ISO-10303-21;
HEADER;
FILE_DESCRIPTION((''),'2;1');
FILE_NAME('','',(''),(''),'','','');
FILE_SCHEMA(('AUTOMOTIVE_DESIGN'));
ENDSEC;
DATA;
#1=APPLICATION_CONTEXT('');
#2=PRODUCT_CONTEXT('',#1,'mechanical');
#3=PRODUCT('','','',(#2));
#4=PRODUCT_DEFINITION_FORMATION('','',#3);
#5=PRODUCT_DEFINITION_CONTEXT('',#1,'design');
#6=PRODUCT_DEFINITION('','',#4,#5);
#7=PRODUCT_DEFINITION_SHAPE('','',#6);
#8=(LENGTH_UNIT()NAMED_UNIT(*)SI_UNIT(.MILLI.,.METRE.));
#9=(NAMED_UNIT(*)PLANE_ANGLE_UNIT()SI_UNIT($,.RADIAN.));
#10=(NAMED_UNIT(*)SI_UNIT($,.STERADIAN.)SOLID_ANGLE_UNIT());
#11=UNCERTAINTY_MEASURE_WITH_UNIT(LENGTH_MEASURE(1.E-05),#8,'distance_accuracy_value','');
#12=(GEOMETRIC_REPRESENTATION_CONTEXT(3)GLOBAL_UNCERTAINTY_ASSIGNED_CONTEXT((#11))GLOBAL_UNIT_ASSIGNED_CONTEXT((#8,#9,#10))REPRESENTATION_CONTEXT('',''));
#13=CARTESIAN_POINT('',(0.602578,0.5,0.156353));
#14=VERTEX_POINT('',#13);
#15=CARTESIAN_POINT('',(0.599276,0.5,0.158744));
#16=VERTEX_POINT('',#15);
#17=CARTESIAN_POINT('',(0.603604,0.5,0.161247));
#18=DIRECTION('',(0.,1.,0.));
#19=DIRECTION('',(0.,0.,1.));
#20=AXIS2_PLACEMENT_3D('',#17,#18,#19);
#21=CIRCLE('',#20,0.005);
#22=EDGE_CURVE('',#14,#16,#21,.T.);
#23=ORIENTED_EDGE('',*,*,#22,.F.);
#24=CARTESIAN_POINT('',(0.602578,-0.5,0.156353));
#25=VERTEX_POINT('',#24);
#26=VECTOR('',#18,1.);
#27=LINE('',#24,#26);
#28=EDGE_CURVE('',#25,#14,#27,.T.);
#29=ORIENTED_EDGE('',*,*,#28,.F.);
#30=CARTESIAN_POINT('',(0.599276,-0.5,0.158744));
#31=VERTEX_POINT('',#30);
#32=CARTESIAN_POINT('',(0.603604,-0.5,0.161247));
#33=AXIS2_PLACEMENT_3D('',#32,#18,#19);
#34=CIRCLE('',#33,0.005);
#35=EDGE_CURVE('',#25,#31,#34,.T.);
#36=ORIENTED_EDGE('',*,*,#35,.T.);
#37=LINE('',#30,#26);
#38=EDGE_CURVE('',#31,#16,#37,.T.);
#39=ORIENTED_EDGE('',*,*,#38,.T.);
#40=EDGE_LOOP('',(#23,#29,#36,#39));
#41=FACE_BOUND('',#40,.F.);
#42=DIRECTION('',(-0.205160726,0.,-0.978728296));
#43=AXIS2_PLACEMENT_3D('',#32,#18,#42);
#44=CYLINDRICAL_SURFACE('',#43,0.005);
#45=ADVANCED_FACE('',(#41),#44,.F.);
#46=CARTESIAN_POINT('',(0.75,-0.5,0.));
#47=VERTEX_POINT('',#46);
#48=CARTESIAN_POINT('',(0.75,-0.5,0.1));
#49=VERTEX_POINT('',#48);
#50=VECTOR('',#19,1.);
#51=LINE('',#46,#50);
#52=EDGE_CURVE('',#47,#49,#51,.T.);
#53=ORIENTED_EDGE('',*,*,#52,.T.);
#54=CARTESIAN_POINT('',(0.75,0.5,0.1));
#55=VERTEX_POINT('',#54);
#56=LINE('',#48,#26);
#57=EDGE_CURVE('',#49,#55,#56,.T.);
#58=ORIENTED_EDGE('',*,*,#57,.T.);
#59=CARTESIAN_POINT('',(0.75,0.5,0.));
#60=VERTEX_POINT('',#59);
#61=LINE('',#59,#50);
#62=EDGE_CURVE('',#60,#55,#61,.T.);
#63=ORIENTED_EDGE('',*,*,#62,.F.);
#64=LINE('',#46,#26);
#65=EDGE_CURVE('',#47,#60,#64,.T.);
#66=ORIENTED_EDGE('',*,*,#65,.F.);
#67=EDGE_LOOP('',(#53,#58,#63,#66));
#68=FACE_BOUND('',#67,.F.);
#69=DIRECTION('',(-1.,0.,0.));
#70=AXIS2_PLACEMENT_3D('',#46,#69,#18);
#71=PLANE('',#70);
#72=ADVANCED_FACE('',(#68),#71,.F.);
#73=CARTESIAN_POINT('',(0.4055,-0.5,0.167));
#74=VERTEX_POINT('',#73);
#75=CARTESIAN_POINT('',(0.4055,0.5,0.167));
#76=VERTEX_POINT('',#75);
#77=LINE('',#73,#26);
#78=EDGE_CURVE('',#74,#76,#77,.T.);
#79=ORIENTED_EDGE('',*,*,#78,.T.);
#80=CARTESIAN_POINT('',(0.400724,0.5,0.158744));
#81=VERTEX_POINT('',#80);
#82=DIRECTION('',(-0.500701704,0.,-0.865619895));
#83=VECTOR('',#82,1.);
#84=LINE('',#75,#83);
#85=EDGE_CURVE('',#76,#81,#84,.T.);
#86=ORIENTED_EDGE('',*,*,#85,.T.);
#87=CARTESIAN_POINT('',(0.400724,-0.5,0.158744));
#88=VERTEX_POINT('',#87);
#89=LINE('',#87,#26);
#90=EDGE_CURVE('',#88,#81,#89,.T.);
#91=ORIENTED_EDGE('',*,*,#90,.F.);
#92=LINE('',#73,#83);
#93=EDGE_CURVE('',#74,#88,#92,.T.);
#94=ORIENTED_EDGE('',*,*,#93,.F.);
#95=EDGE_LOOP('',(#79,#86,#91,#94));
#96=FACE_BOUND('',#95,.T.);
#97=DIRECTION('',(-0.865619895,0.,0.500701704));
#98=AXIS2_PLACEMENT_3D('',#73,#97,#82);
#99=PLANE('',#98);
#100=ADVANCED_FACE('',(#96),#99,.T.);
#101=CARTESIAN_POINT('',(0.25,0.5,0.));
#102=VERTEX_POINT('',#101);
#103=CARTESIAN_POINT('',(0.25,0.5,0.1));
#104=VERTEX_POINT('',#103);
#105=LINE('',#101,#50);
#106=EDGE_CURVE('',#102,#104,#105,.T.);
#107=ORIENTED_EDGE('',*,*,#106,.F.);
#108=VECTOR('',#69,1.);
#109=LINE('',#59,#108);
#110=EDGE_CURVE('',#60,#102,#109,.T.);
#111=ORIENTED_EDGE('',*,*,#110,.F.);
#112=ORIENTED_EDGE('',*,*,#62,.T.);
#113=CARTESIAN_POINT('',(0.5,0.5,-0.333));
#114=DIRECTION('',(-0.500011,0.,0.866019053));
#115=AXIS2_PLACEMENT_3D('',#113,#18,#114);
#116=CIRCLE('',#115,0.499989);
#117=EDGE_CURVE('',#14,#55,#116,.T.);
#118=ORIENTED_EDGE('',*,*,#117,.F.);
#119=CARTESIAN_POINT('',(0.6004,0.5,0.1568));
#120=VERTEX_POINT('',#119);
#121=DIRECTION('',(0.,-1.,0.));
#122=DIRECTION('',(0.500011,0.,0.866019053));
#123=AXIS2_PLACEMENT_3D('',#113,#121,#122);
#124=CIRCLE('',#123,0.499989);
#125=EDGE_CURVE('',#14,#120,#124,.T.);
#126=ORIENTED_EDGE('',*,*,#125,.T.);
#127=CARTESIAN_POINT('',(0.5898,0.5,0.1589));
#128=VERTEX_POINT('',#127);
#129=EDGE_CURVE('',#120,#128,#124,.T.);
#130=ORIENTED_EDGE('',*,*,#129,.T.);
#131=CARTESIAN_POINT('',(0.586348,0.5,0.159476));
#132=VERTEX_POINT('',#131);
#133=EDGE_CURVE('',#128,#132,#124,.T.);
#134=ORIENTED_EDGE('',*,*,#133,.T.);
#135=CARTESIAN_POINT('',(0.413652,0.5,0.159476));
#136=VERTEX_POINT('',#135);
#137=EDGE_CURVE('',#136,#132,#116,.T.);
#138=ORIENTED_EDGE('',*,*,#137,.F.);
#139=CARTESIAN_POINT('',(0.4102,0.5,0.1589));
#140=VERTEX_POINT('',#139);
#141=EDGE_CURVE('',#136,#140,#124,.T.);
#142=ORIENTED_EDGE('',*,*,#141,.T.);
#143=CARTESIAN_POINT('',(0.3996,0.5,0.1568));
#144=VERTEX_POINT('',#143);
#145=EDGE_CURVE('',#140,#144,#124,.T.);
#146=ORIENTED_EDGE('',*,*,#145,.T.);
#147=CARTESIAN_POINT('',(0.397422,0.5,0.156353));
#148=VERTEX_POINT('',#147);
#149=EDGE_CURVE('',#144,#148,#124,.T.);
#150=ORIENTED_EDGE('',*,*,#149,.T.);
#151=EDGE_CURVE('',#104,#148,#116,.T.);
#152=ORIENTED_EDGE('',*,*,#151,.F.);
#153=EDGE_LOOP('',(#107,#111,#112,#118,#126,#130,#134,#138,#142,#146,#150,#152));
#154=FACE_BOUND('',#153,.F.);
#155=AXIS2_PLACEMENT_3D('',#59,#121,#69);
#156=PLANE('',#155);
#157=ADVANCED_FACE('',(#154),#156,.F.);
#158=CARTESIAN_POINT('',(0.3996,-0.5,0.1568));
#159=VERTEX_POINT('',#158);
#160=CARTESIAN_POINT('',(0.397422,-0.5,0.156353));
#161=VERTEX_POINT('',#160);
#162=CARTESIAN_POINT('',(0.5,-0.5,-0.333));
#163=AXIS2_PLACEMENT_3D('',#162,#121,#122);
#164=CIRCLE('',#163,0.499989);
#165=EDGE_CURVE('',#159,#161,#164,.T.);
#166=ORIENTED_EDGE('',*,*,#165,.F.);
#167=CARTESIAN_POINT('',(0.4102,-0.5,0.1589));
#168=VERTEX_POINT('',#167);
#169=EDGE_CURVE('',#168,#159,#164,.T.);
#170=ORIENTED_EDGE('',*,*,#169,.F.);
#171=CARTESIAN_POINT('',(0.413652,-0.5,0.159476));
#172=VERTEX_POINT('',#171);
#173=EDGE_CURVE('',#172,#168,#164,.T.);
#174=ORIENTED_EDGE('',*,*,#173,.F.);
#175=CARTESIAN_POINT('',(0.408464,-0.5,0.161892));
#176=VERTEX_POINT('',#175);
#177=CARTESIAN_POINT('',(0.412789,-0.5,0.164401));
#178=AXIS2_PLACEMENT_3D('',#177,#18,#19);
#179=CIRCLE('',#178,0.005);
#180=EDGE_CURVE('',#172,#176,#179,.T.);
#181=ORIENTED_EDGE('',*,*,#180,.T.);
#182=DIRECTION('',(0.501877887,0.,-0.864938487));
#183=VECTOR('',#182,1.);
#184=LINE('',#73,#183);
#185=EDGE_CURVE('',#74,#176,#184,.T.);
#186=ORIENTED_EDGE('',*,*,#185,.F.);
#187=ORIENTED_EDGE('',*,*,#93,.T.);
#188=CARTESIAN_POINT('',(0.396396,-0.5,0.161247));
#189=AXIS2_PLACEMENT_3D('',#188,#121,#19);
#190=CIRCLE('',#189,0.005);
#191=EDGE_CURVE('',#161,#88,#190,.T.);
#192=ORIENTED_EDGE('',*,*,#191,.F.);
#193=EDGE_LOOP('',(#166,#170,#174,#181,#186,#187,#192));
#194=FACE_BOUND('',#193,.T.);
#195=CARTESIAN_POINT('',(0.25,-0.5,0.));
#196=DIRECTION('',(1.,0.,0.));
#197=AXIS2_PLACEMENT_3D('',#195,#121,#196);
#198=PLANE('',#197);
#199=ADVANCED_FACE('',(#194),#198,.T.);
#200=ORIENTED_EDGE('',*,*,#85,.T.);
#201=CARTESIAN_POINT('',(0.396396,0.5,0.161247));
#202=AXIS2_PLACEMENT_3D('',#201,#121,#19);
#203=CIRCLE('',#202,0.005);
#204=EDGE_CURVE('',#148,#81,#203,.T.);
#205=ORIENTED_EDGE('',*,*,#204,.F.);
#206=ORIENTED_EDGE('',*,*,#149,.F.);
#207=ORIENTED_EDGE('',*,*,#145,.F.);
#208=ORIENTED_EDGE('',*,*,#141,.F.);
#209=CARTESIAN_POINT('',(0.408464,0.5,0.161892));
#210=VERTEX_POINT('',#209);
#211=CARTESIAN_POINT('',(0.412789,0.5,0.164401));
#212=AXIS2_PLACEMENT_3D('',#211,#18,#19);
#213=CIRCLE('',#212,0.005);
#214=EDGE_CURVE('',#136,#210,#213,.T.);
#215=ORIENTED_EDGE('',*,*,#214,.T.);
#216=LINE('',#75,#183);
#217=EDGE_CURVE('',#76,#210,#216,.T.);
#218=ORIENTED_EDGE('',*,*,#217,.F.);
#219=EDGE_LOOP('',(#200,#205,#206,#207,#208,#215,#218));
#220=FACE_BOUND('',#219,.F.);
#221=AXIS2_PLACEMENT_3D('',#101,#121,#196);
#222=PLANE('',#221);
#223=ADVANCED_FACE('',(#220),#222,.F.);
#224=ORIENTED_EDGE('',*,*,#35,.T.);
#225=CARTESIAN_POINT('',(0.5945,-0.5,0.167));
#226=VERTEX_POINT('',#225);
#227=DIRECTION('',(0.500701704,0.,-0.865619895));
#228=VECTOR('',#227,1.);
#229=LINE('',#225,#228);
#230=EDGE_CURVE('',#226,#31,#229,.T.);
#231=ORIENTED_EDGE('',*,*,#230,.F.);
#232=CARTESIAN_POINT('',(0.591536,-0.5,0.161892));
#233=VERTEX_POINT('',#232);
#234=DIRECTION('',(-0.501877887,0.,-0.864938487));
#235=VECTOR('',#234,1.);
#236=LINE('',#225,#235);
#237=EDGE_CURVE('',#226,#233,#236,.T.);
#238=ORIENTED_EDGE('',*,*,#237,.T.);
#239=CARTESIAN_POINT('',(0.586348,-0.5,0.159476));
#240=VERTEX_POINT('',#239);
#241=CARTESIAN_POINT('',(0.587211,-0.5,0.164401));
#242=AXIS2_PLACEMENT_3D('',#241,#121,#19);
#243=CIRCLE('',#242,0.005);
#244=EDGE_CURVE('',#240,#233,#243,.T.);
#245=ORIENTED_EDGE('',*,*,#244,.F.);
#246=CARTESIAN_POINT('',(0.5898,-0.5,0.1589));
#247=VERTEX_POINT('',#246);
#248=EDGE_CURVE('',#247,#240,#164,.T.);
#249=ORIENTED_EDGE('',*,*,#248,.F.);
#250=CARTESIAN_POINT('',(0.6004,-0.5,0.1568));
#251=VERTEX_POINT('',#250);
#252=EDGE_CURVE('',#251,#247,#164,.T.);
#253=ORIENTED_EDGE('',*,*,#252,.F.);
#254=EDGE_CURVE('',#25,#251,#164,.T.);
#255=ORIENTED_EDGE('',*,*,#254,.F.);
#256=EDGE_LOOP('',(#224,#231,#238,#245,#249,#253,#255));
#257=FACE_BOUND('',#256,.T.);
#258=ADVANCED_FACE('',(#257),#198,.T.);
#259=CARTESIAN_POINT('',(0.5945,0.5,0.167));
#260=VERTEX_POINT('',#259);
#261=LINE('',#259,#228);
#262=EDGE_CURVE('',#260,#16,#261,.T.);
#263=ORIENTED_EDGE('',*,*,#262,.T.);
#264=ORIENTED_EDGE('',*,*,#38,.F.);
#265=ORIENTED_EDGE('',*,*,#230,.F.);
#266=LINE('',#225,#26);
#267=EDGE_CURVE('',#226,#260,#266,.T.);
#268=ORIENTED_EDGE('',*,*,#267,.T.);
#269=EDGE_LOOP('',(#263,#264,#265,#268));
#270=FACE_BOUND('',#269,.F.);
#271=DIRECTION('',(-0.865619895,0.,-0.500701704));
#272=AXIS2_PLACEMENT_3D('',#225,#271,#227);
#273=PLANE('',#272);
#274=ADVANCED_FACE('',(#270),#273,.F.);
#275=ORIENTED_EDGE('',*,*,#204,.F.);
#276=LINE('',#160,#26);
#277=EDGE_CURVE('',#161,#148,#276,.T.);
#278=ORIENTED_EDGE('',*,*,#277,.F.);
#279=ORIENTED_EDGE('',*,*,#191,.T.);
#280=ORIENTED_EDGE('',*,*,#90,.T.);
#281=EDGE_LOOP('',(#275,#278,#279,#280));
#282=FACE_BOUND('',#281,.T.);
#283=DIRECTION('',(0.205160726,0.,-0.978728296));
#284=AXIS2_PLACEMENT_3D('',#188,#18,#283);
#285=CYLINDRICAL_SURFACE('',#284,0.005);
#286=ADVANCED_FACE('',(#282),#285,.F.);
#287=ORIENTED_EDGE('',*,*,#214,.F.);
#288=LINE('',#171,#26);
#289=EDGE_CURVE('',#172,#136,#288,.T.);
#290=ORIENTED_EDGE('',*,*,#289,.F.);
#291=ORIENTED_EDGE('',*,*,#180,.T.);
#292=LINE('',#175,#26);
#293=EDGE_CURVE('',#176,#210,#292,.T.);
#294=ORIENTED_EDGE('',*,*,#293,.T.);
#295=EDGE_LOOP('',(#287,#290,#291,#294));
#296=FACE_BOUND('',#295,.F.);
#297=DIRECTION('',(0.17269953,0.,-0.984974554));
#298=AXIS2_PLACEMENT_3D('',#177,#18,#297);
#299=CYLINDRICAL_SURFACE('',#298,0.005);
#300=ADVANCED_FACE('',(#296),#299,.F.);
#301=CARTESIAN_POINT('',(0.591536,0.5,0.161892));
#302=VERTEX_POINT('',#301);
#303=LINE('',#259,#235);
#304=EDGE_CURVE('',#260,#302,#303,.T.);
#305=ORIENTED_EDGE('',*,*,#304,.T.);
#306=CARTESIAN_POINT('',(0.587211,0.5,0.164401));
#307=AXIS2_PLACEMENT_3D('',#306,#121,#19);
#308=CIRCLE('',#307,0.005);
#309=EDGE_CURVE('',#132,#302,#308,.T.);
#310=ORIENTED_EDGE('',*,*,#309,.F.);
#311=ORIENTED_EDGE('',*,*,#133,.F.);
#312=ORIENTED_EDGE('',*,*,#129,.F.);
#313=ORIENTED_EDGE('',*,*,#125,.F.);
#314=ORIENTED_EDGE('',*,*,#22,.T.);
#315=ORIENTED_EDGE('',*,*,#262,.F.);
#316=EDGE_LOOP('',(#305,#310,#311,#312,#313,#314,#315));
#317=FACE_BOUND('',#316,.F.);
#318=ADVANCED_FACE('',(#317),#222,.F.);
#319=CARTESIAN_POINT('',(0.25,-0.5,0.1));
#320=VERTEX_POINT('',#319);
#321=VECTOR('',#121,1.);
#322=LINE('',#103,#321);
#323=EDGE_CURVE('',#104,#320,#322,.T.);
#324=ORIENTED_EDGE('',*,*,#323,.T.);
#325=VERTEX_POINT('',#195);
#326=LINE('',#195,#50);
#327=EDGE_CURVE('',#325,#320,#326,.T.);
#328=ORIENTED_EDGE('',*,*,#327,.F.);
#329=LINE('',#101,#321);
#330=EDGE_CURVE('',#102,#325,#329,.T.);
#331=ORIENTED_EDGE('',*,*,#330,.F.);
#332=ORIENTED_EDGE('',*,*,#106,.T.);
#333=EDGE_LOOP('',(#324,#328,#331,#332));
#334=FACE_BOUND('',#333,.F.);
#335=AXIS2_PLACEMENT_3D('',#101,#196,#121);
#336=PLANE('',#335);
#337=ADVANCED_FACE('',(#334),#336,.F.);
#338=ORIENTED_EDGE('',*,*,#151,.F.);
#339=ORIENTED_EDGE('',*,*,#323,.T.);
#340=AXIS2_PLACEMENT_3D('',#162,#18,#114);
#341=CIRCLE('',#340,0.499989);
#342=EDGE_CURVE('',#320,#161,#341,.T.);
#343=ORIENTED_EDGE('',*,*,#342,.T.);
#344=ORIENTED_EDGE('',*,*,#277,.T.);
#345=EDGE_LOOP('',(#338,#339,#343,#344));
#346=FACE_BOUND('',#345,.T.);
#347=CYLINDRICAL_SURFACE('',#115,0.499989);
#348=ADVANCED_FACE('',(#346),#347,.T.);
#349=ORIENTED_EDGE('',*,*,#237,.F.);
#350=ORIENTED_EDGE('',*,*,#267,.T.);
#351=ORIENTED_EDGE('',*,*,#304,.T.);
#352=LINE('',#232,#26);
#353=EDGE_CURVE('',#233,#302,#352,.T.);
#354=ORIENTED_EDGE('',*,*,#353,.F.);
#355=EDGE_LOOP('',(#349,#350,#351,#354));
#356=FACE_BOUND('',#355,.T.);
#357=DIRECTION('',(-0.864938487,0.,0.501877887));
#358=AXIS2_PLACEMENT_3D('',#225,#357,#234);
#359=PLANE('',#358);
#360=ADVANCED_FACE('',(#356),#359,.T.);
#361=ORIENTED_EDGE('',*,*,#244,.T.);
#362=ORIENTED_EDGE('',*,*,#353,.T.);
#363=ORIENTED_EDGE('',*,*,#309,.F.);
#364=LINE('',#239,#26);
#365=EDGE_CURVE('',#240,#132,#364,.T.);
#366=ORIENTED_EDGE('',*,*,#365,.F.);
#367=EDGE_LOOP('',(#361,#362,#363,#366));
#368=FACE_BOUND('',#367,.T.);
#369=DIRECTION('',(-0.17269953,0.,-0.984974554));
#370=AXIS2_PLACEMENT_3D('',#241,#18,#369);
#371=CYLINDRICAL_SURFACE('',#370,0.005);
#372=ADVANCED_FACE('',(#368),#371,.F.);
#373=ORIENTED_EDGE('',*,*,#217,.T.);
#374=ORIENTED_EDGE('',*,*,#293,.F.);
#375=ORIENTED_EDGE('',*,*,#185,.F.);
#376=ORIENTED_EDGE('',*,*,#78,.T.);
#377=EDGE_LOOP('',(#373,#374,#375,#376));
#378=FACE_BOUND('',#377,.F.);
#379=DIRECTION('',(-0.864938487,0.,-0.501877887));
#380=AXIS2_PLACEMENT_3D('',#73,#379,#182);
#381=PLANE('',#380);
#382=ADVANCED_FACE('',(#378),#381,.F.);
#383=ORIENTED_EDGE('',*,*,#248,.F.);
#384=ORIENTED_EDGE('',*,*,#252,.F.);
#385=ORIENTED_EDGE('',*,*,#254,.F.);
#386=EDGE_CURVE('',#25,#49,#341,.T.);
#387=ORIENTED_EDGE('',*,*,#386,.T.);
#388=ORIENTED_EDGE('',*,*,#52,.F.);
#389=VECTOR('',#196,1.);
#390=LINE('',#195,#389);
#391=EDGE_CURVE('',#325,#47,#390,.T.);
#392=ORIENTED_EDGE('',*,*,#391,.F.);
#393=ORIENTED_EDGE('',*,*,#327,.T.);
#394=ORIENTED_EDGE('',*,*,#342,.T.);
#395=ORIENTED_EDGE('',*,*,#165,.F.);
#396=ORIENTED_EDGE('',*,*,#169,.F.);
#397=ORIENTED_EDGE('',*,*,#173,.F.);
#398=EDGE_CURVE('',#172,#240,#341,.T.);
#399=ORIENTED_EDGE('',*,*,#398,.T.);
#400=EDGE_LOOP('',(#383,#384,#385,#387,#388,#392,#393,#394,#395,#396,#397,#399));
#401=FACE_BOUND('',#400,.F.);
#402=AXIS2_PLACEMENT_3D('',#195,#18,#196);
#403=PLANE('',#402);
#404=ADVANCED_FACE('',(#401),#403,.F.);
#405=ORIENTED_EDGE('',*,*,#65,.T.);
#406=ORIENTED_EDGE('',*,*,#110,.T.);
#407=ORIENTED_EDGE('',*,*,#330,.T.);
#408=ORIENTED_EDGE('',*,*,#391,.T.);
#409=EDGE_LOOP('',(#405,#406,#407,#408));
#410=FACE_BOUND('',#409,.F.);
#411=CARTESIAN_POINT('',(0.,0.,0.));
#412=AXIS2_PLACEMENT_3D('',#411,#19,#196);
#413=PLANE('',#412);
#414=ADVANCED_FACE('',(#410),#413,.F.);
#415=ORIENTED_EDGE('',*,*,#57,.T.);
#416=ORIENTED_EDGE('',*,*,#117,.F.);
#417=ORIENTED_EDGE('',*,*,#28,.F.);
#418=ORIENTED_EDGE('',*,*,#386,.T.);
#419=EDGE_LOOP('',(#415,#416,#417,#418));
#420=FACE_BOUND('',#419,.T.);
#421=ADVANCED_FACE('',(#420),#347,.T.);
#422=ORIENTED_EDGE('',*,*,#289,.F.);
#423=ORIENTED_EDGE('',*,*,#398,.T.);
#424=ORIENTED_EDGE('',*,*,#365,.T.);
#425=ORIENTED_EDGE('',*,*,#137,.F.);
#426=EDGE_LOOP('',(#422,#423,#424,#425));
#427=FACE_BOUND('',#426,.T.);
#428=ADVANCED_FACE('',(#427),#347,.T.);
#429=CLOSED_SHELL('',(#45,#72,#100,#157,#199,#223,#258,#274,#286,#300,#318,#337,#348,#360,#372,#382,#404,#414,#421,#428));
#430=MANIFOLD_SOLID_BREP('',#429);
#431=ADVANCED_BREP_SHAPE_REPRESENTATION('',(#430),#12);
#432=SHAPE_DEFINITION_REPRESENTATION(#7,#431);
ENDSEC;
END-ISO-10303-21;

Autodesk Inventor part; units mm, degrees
ref_plane "YZ Plane" through (0, 0, 0) normal (1, 0, 0) x (0, 1, 0)
ref_plane "XZ Plane" through (0, 0, 0) normal (0, 1, 0) x (-1, 0, 0)
ref_plane "XY Plane" through (0, 0, 0) normal (0, 0, 1) x (1, 0, 0)
sketch "스케치1" plane through (0, 0, 0) normal (0, 0, 1) x (1, 0, 0)
  line L0 (-0.15, 0) -> (0.9, 0) construction
  line L1 (0, -0.7) -> (0, 0.7) construction
  line L2 (0.25, -0.5) -> (0.75, -0.5)
  line L3 (0.75, -0.5) -> (0.75, 0.5)
  line L4 (0.75, 0.5) -> (0.25, 0.5)
  line L5 (0.25, 0.5) -> (0.25, -0.5)
  point P0 (0, 0)
  point P1 (0.5, -0.5)
  dimension "d7" = 0.5
  dimension "d8" = 1
  dimension "d9" = 0.25
extrude "돌출1" add sketch "스케치1" along normal blind 0.1
sketch "스케치3" plane through (0.25, 0.5, 0) normal (0, 1, 0) x (1, 0, 0)
  line L0 (-0.25, 0.6093) -> (-0.25, -0.2964) construction
  line L1 (-0.4, 0) -> (0.65, 0) construction
  line L2 (0.5, 0) -> (0, 0) projected
  line L3 (0, 0) -> (0, -0.1) projected
  line L4 (0.5, -0.1) -> (0, -0.1) projected
  line L5 (0.5, 0) -> (0.5, -0.1) projected
  arc A0 (0, -0.1) -> (0.5, -0.1) centre (0.25, 0.333) ccw
  line L6 (0.25, -0.1) -> (0.25, 0.4799) construction
  point P0 (-0.25, 0)
  dimension "d10" = 0.5
extrude "돌출2" add sketch "스케치3" against normal up to surface (1 mm away) contours A0 L4
sketch "스케치4" plane through (0.25, -0.5, 0) normal (0, -1, 0) x (1, 0, 0)
  line L0 (0, 0) -> (0.5, 0) projected
  line L1 (0.5, 0) -> (0.5, 0.1) projected
  arc A0 (0.5, 0.1) -> (0, 0.1) centre (0.25, -0.333) ccw projected
  line L2 (0, 0) -> (0, 0.1) projected
  line L3 (0, 0) -> (0.5, 0) construction
  line L4 (0.25, 0) -> (0.25, 0.167) construction
  line L5 (0.25, 0) -> (0.5, 0.1) construction
  line L6 (0.2748, 0.1714) -> (0.4348, 0.1406) construction
  line L7 (0.25, 0) -> (0.3445, 0.158) construction
  arc A1 (0.5, 0.1) -> (0, 0.1) centre (0.25, -0.333) ccw construction
  line L8 (0.3445, 0.158) -> (0.3445, 0) construction
  line L9 (0.3445, 0.158) -> (0.3445, 0.167) construction
  line L10 (0.3445, 0.167) -> (0.3398, 0.1589)
  line L11 (0.3445, 0.167) -> (0.3504, 0.1568)
  line L12 (0.1555, 0.167) -> (0.1602, 0.1589)
  line L13 (0.1555, 0.167) -> (0.1496, 0.1568)
  point P0 (-0.25, 0)
  dimension "d13" = 21.801
  dimension "d18" = 0.167
  dimension "d21" = 70
  dimension "d22" = 30
  dimension "d23" = 30
  dimension "d24" = 0.167
extrude "돌출4" add sketch "스케치4" against normal up to surface (1 mm away) contours L13 L12 A0 | A0 L10 L11
fillet "모깎기1" radius 0.005 4 edges at (0.3996, 0, 0.1568) (0.4102, 0, 0.1589) (0.6004, 0, 0.1568) (0.5898, 0, 0.1589)
properties part number "flat_surface_1"
